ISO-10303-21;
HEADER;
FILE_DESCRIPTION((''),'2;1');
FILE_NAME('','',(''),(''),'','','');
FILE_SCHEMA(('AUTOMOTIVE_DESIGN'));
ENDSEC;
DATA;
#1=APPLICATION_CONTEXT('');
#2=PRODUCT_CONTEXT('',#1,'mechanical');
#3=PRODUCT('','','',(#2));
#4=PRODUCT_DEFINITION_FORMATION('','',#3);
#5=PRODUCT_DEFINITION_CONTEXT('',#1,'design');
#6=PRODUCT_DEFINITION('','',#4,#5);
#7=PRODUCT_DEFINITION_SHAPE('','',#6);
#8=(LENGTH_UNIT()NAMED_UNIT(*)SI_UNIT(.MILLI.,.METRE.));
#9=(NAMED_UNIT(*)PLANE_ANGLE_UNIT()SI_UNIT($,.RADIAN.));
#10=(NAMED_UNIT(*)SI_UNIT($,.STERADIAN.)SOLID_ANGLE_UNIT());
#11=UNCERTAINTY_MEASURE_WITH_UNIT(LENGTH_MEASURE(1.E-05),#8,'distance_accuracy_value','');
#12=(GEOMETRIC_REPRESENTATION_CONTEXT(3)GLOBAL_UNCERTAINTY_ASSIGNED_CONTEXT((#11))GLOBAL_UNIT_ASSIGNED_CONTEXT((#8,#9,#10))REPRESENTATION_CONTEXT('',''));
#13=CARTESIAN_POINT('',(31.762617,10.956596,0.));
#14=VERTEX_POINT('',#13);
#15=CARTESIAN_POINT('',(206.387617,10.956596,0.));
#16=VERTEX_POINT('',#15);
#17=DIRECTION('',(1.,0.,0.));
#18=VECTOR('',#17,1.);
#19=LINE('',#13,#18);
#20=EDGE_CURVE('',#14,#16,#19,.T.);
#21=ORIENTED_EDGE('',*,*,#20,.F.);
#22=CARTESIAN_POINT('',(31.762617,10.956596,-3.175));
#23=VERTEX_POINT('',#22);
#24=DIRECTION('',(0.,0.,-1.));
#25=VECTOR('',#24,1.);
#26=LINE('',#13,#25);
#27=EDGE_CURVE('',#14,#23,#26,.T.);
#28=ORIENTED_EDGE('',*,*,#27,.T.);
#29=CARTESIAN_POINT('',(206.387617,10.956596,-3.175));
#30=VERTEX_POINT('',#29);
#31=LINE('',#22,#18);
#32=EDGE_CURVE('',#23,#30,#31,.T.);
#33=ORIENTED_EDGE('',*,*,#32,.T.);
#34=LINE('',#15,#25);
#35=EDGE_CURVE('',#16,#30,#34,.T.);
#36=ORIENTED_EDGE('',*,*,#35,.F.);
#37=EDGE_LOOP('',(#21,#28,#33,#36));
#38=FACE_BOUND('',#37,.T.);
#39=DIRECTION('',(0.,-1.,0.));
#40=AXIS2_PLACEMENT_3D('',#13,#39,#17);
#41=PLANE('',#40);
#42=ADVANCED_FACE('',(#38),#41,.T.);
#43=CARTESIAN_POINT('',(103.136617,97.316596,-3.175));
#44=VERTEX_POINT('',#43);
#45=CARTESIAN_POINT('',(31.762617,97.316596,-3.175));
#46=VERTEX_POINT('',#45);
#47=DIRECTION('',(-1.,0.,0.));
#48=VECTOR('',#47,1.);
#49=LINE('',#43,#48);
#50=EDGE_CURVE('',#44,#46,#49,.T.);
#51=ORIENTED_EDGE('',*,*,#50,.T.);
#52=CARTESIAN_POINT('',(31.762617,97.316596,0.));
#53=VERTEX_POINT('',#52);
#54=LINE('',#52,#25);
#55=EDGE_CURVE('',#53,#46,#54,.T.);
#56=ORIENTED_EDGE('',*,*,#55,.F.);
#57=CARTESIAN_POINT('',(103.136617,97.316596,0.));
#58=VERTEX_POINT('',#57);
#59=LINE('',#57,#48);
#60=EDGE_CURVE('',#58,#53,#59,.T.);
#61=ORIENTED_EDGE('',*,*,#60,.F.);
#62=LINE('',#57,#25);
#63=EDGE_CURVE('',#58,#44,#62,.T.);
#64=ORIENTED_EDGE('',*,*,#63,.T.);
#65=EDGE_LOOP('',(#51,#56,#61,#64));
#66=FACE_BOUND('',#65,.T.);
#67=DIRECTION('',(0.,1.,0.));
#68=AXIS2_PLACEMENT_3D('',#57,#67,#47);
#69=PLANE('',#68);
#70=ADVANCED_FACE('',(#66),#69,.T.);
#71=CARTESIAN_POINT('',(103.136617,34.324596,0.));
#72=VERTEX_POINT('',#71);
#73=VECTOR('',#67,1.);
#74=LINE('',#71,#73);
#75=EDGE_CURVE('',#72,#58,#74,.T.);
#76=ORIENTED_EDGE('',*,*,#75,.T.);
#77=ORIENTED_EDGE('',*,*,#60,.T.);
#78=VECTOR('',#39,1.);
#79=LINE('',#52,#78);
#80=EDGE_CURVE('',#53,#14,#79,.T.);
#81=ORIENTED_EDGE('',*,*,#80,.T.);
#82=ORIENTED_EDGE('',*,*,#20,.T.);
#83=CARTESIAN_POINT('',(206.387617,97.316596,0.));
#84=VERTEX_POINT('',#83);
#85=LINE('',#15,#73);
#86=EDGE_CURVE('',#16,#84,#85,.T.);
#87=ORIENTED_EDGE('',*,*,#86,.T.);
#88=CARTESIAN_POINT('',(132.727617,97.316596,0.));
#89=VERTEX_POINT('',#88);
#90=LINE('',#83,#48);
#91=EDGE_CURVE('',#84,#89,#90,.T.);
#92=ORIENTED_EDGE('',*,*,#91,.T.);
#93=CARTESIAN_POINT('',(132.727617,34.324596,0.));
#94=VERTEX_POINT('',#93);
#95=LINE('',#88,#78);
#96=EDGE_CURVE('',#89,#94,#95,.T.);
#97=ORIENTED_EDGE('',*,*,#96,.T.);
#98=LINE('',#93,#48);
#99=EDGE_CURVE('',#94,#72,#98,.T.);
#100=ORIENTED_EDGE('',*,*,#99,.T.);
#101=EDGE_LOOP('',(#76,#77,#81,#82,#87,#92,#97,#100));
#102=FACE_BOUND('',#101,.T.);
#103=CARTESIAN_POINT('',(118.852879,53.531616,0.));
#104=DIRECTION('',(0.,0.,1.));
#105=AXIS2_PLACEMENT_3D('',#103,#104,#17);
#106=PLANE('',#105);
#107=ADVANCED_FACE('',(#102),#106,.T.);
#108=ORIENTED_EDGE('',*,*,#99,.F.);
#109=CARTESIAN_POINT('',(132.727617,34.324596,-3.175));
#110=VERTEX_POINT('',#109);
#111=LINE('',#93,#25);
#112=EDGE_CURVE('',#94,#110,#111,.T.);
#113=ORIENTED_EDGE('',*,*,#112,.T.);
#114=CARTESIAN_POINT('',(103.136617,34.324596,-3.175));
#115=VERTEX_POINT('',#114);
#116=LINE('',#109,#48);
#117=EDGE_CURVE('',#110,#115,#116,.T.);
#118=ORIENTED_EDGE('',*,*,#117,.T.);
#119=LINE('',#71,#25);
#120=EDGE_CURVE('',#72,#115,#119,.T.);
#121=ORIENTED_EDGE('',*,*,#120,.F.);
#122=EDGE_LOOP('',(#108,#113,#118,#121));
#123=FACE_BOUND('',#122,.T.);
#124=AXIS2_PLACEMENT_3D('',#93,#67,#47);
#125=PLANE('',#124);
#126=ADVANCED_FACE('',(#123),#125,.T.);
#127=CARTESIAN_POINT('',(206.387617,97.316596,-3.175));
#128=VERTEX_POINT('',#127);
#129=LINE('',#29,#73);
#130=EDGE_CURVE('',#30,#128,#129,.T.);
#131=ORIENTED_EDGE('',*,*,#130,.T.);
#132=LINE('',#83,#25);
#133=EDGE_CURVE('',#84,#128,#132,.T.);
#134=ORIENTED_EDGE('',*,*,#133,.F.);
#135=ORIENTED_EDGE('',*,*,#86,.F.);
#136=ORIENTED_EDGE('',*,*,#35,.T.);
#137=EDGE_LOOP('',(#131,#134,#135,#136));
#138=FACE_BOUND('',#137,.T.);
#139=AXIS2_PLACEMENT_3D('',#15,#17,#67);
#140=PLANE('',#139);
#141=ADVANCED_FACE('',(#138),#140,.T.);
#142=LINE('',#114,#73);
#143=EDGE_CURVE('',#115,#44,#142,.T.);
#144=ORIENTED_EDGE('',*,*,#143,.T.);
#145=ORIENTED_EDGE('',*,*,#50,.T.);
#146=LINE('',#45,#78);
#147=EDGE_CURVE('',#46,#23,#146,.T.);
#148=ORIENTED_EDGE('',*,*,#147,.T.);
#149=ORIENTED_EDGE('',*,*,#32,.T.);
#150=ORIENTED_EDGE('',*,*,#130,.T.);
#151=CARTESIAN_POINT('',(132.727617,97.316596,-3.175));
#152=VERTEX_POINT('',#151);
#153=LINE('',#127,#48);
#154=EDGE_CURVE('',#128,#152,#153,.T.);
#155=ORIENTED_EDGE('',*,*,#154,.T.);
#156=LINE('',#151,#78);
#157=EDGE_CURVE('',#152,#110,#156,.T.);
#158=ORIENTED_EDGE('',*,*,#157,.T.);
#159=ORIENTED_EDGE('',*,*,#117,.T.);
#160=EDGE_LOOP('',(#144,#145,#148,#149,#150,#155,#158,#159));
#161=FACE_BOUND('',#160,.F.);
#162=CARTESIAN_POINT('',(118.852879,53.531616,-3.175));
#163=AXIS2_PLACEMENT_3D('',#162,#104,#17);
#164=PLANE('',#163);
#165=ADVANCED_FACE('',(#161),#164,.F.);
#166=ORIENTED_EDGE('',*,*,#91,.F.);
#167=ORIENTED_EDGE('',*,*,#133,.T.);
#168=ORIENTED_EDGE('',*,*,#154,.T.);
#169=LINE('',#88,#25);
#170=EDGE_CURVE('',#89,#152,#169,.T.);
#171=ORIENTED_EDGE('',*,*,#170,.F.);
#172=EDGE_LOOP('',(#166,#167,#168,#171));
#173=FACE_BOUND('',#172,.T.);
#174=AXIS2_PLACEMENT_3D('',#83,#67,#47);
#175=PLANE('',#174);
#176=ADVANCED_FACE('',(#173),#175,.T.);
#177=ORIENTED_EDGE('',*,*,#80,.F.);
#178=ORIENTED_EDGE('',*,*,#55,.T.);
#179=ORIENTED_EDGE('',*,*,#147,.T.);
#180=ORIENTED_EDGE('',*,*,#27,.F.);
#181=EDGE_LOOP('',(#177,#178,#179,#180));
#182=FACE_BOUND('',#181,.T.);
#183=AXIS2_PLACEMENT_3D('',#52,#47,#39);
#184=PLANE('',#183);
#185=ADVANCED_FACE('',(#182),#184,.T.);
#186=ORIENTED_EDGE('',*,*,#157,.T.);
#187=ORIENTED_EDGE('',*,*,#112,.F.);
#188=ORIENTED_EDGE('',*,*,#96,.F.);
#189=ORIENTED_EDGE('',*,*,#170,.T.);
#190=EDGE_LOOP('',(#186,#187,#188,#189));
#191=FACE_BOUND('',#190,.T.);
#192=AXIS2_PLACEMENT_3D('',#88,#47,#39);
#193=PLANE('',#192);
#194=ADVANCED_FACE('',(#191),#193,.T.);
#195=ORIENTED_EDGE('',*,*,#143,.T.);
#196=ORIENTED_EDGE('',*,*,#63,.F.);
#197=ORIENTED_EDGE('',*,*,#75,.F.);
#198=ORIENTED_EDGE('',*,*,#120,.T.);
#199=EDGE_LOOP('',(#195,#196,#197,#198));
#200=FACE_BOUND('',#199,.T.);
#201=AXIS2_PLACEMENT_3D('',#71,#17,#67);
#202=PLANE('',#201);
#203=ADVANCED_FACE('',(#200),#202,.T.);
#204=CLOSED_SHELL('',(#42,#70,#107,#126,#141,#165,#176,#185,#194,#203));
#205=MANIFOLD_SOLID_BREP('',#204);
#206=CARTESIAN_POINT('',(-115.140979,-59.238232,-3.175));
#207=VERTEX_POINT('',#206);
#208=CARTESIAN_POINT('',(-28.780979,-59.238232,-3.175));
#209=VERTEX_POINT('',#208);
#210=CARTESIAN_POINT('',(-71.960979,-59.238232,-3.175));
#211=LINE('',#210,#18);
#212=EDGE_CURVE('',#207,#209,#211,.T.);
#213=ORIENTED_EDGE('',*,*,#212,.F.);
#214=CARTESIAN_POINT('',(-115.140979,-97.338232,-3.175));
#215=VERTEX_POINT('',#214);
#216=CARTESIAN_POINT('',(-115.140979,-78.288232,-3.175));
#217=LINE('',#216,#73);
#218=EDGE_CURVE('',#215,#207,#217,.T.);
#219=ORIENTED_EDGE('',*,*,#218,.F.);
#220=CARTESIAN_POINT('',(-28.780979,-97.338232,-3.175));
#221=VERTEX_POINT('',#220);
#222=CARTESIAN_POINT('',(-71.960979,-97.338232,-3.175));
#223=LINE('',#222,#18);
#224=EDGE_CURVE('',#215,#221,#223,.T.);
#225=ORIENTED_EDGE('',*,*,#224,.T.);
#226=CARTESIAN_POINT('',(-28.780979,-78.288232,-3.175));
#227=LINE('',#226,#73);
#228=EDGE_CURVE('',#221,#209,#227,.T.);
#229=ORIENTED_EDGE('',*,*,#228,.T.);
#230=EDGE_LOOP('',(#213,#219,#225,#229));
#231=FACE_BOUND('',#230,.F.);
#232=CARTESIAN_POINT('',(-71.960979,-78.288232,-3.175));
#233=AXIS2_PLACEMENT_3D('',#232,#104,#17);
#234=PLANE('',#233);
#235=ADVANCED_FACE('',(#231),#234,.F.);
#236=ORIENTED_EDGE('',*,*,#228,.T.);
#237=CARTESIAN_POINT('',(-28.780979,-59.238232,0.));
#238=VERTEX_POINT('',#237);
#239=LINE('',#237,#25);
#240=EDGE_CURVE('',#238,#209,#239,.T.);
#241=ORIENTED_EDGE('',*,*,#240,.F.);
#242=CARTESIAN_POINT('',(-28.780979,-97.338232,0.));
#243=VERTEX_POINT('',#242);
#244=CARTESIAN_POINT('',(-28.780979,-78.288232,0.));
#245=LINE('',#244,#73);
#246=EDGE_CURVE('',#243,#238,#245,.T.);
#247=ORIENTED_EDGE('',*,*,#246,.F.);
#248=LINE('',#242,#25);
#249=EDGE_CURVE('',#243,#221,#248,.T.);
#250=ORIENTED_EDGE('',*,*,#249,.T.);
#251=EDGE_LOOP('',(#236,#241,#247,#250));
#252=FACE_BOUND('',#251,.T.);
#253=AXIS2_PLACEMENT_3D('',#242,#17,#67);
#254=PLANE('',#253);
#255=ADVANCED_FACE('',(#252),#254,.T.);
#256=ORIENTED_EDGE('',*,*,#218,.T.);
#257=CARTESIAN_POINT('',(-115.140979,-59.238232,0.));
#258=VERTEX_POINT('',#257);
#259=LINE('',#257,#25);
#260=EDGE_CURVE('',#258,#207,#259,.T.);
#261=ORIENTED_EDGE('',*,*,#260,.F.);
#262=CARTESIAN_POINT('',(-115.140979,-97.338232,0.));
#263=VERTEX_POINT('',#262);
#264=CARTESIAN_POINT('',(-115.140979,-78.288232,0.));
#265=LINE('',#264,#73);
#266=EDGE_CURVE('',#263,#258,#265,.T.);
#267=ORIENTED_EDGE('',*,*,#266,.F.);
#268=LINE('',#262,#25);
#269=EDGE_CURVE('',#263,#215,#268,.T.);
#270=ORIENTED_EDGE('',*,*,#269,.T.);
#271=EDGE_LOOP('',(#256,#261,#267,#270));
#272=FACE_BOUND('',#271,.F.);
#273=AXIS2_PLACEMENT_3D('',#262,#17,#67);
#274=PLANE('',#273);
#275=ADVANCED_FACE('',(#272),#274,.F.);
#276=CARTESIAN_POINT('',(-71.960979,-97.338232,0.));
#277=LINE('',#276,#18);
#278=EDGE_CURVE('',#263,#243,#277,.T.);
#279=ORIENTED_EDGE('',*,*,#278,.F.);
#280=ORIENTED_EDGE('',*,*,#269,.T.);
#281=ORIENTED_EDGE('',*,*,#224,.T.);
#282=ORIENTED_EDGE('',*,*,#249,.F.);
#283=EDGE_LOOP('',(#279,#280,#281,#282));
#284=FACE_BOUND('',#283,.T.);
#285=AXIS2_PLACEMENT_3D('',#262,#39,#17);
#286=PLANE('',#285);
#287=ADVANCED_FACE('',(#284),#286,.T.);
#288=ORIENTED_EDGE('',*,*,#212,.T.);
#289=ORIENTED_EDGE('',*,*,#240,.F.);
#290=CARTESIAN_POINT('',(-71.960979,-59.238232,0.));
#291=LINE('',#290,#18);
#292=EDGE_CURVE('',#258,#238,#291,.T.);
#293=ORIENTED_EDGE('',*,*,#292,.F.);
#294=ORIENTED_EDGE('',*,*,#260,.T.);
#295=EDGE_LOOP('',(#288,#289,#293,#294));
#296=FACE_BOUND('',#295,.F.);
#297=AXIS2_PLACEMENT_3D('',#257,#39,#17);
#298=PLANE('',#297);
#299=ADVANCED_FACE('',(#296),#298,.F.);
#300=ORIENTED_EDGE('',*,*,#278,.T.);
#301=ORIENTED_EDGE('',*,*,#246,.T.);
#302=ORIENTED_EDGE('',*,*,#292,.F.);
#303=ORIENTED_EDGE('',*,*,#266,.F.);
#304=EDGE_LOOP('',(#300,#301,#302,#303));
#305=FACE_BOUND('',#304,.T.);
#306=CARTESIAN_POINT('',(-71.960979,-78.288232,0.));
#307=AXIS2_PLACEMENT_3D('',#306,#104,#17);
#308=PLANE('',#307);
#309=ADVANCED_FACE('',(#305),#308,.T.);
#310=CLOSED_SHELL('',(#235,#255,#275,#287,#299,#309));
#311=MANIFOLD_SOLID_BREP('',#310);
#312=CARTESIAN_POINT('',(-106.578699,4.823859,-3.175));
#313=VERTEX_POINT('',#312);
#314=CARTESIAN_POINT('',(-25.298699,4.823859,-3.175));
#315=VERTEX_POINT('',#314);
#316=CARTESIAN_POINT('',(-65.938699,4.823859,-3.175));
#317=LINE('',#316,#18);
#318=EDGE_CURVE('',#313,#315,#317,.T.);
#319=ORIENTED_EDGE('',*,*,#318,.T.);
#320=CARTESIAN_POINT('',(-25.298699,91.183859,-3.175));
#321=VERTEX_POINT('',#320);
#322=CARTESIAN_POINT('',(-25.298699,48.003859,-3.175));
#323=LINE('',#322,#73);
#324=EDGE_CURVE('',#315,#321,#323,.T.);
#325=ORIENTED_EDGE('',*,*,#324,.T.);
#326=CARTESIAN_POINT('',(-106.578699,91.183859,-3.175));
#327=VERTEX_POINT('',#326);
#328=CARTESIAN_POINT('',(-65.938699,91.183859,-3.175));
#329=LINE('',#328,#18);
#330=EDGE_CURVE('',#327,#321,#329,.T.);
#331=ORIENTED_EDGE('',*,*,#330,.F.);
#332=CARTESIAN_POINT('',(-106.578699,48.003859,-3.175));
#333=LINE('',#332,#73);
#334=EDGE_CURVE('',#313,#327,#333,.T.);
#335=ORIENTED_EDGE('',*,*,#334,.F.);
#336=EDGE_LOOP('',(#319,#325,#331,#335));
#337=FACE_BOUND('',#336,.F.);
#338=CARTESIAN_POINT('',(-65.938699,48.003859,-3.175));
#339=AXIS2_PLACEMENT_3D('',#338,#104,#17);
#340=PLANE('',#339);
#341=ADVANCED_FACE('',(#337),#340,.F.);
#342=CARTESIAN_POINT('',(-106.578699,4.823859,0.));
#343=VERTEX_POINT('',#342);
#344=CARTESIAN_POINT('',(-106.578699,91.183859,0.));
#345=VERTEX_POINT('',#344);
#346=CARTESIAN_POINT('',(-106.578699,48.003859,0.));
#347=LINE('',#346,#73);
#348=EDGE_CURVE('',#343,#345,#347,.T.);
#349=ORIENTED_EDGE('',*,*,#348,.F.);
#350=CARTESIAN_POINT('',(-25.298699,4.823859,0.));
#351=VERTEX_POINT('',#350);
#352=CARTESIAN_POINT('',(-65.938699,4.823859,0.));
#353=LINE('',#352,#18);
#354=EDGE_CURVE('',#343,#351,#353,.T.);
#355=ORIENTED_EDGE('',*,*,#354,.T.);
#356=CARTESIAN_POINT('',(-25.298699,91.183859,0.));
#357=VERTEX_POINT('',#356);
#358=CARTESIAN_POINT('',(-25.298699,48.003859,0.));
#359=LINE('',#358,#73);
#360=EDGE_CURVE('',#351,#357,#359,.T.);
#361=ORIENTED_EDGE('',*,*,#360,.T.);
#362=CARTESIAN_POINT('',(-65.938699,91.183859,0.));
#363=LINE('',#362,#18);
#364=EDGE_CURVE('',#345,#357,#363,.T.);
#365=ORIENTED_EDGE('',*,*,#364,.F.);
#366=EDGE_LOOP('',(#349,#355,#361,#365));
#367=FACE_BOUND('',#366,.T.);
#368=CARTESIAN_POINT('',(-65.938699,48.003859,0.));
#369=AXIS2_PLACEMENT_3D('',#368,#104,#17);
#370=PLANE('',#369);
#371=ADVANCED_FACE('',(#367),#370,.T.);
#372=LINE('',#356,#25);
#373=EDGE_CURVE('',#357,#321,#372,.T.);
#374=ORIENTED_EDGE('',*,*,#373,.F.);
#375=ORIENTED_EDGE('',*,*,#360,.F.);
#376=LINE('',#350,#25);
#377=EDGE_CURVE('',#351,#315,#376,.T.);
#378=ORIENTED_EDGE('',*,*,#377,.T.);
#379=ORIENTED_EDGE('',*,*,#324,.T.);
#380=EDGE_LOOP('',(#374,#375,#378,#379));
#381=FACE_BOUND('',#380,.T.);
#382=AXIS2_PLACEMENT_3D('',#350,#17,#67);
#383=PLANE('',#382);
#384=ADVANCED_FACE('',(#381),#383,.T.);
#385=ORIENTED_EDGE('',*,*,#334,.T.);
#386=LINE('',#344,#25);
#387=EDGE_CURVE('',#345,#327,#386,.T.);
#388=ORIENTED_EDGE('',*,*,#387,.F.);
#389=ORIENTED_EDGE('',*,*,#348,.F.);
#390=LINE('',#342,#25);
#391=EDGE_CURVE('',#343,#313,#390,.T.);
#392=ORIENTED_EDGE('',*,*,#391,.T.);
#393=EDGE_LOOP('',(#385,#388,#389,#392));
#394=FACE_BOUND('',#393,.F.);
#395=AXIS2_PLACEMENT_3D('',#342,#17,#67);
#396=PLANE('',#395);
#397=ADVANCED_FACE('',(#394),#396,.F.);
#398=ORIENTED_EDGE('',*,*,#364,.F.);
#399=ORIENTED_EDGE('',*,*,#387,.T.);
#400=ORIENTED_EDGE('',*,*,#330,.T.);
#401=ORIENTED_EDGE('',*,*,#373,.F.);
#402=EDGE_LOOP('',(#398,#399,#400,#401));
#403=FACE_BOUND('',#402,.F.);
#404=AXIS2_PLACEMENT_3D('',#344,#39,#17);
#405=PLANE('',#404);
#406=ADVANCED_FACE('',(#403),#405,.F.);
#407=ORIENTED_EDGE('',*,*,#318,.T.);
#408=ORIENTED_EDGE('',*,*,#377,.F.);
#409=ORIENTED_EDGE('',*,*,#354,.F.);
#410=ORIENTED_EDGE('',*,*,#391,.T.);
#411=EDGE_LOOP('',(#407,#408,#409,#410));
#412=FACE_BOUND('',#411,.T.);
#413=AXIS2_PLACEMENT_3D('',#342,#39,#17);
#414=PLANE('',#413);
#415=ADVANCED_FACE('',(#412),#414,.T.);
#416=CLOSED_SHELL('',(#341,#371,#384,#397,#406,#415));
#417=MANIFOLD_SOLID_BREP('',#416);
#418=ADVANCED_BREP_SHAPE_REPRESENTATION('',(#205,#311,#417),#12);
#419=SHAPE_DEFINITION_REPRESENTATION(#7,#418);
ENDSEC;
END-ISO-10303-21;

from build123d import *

# Parameters (mm, degrees)
F0_W     = 81.28
F0_H     = 86.36
F1_DEPTH = 3.175
F2_W     = 86.36
F2_H     = 38.1
F3_DEPTH = 3.175
F5_DEPTH = 3.175


with BuildPart() as f1:
    # F0 (on Top) → F1 (new body)
    with BuildSketch(Plane.XY):
        with Locations((-65.938699, 48.003859)):
            Rectangle(F0_W, F0_H)
    extrude(amount=-F1_DEPTH)


with BuildPart() as f3:
    # F2 (on Top) → F3 (new body)
    with BuildSketch(Plane.XY):
        with Locations((-71.960979, -78.288232)):
            Rectangle(F2_W, F2_H)
    extrude(amount=-F3_DEPTH)


with BuildPart() as f5:
    # F4 (on Top) → F5 (new body)
    with BuildSketch(Plane.XY):
        Polygon((103.136617, 97.316596), (31.762617, 97.316596), (31.762617, 10.956596), (206.387617, 10.956596), (206.387617, 97.316596), (132.727617, 97.316596), (132.727617, 34.324596), (103.136617, 34.324596), align=None)
    extrude(amount=-F5_DEPTH)


solid = Compound([f1.part, f3.part, f5.part])
